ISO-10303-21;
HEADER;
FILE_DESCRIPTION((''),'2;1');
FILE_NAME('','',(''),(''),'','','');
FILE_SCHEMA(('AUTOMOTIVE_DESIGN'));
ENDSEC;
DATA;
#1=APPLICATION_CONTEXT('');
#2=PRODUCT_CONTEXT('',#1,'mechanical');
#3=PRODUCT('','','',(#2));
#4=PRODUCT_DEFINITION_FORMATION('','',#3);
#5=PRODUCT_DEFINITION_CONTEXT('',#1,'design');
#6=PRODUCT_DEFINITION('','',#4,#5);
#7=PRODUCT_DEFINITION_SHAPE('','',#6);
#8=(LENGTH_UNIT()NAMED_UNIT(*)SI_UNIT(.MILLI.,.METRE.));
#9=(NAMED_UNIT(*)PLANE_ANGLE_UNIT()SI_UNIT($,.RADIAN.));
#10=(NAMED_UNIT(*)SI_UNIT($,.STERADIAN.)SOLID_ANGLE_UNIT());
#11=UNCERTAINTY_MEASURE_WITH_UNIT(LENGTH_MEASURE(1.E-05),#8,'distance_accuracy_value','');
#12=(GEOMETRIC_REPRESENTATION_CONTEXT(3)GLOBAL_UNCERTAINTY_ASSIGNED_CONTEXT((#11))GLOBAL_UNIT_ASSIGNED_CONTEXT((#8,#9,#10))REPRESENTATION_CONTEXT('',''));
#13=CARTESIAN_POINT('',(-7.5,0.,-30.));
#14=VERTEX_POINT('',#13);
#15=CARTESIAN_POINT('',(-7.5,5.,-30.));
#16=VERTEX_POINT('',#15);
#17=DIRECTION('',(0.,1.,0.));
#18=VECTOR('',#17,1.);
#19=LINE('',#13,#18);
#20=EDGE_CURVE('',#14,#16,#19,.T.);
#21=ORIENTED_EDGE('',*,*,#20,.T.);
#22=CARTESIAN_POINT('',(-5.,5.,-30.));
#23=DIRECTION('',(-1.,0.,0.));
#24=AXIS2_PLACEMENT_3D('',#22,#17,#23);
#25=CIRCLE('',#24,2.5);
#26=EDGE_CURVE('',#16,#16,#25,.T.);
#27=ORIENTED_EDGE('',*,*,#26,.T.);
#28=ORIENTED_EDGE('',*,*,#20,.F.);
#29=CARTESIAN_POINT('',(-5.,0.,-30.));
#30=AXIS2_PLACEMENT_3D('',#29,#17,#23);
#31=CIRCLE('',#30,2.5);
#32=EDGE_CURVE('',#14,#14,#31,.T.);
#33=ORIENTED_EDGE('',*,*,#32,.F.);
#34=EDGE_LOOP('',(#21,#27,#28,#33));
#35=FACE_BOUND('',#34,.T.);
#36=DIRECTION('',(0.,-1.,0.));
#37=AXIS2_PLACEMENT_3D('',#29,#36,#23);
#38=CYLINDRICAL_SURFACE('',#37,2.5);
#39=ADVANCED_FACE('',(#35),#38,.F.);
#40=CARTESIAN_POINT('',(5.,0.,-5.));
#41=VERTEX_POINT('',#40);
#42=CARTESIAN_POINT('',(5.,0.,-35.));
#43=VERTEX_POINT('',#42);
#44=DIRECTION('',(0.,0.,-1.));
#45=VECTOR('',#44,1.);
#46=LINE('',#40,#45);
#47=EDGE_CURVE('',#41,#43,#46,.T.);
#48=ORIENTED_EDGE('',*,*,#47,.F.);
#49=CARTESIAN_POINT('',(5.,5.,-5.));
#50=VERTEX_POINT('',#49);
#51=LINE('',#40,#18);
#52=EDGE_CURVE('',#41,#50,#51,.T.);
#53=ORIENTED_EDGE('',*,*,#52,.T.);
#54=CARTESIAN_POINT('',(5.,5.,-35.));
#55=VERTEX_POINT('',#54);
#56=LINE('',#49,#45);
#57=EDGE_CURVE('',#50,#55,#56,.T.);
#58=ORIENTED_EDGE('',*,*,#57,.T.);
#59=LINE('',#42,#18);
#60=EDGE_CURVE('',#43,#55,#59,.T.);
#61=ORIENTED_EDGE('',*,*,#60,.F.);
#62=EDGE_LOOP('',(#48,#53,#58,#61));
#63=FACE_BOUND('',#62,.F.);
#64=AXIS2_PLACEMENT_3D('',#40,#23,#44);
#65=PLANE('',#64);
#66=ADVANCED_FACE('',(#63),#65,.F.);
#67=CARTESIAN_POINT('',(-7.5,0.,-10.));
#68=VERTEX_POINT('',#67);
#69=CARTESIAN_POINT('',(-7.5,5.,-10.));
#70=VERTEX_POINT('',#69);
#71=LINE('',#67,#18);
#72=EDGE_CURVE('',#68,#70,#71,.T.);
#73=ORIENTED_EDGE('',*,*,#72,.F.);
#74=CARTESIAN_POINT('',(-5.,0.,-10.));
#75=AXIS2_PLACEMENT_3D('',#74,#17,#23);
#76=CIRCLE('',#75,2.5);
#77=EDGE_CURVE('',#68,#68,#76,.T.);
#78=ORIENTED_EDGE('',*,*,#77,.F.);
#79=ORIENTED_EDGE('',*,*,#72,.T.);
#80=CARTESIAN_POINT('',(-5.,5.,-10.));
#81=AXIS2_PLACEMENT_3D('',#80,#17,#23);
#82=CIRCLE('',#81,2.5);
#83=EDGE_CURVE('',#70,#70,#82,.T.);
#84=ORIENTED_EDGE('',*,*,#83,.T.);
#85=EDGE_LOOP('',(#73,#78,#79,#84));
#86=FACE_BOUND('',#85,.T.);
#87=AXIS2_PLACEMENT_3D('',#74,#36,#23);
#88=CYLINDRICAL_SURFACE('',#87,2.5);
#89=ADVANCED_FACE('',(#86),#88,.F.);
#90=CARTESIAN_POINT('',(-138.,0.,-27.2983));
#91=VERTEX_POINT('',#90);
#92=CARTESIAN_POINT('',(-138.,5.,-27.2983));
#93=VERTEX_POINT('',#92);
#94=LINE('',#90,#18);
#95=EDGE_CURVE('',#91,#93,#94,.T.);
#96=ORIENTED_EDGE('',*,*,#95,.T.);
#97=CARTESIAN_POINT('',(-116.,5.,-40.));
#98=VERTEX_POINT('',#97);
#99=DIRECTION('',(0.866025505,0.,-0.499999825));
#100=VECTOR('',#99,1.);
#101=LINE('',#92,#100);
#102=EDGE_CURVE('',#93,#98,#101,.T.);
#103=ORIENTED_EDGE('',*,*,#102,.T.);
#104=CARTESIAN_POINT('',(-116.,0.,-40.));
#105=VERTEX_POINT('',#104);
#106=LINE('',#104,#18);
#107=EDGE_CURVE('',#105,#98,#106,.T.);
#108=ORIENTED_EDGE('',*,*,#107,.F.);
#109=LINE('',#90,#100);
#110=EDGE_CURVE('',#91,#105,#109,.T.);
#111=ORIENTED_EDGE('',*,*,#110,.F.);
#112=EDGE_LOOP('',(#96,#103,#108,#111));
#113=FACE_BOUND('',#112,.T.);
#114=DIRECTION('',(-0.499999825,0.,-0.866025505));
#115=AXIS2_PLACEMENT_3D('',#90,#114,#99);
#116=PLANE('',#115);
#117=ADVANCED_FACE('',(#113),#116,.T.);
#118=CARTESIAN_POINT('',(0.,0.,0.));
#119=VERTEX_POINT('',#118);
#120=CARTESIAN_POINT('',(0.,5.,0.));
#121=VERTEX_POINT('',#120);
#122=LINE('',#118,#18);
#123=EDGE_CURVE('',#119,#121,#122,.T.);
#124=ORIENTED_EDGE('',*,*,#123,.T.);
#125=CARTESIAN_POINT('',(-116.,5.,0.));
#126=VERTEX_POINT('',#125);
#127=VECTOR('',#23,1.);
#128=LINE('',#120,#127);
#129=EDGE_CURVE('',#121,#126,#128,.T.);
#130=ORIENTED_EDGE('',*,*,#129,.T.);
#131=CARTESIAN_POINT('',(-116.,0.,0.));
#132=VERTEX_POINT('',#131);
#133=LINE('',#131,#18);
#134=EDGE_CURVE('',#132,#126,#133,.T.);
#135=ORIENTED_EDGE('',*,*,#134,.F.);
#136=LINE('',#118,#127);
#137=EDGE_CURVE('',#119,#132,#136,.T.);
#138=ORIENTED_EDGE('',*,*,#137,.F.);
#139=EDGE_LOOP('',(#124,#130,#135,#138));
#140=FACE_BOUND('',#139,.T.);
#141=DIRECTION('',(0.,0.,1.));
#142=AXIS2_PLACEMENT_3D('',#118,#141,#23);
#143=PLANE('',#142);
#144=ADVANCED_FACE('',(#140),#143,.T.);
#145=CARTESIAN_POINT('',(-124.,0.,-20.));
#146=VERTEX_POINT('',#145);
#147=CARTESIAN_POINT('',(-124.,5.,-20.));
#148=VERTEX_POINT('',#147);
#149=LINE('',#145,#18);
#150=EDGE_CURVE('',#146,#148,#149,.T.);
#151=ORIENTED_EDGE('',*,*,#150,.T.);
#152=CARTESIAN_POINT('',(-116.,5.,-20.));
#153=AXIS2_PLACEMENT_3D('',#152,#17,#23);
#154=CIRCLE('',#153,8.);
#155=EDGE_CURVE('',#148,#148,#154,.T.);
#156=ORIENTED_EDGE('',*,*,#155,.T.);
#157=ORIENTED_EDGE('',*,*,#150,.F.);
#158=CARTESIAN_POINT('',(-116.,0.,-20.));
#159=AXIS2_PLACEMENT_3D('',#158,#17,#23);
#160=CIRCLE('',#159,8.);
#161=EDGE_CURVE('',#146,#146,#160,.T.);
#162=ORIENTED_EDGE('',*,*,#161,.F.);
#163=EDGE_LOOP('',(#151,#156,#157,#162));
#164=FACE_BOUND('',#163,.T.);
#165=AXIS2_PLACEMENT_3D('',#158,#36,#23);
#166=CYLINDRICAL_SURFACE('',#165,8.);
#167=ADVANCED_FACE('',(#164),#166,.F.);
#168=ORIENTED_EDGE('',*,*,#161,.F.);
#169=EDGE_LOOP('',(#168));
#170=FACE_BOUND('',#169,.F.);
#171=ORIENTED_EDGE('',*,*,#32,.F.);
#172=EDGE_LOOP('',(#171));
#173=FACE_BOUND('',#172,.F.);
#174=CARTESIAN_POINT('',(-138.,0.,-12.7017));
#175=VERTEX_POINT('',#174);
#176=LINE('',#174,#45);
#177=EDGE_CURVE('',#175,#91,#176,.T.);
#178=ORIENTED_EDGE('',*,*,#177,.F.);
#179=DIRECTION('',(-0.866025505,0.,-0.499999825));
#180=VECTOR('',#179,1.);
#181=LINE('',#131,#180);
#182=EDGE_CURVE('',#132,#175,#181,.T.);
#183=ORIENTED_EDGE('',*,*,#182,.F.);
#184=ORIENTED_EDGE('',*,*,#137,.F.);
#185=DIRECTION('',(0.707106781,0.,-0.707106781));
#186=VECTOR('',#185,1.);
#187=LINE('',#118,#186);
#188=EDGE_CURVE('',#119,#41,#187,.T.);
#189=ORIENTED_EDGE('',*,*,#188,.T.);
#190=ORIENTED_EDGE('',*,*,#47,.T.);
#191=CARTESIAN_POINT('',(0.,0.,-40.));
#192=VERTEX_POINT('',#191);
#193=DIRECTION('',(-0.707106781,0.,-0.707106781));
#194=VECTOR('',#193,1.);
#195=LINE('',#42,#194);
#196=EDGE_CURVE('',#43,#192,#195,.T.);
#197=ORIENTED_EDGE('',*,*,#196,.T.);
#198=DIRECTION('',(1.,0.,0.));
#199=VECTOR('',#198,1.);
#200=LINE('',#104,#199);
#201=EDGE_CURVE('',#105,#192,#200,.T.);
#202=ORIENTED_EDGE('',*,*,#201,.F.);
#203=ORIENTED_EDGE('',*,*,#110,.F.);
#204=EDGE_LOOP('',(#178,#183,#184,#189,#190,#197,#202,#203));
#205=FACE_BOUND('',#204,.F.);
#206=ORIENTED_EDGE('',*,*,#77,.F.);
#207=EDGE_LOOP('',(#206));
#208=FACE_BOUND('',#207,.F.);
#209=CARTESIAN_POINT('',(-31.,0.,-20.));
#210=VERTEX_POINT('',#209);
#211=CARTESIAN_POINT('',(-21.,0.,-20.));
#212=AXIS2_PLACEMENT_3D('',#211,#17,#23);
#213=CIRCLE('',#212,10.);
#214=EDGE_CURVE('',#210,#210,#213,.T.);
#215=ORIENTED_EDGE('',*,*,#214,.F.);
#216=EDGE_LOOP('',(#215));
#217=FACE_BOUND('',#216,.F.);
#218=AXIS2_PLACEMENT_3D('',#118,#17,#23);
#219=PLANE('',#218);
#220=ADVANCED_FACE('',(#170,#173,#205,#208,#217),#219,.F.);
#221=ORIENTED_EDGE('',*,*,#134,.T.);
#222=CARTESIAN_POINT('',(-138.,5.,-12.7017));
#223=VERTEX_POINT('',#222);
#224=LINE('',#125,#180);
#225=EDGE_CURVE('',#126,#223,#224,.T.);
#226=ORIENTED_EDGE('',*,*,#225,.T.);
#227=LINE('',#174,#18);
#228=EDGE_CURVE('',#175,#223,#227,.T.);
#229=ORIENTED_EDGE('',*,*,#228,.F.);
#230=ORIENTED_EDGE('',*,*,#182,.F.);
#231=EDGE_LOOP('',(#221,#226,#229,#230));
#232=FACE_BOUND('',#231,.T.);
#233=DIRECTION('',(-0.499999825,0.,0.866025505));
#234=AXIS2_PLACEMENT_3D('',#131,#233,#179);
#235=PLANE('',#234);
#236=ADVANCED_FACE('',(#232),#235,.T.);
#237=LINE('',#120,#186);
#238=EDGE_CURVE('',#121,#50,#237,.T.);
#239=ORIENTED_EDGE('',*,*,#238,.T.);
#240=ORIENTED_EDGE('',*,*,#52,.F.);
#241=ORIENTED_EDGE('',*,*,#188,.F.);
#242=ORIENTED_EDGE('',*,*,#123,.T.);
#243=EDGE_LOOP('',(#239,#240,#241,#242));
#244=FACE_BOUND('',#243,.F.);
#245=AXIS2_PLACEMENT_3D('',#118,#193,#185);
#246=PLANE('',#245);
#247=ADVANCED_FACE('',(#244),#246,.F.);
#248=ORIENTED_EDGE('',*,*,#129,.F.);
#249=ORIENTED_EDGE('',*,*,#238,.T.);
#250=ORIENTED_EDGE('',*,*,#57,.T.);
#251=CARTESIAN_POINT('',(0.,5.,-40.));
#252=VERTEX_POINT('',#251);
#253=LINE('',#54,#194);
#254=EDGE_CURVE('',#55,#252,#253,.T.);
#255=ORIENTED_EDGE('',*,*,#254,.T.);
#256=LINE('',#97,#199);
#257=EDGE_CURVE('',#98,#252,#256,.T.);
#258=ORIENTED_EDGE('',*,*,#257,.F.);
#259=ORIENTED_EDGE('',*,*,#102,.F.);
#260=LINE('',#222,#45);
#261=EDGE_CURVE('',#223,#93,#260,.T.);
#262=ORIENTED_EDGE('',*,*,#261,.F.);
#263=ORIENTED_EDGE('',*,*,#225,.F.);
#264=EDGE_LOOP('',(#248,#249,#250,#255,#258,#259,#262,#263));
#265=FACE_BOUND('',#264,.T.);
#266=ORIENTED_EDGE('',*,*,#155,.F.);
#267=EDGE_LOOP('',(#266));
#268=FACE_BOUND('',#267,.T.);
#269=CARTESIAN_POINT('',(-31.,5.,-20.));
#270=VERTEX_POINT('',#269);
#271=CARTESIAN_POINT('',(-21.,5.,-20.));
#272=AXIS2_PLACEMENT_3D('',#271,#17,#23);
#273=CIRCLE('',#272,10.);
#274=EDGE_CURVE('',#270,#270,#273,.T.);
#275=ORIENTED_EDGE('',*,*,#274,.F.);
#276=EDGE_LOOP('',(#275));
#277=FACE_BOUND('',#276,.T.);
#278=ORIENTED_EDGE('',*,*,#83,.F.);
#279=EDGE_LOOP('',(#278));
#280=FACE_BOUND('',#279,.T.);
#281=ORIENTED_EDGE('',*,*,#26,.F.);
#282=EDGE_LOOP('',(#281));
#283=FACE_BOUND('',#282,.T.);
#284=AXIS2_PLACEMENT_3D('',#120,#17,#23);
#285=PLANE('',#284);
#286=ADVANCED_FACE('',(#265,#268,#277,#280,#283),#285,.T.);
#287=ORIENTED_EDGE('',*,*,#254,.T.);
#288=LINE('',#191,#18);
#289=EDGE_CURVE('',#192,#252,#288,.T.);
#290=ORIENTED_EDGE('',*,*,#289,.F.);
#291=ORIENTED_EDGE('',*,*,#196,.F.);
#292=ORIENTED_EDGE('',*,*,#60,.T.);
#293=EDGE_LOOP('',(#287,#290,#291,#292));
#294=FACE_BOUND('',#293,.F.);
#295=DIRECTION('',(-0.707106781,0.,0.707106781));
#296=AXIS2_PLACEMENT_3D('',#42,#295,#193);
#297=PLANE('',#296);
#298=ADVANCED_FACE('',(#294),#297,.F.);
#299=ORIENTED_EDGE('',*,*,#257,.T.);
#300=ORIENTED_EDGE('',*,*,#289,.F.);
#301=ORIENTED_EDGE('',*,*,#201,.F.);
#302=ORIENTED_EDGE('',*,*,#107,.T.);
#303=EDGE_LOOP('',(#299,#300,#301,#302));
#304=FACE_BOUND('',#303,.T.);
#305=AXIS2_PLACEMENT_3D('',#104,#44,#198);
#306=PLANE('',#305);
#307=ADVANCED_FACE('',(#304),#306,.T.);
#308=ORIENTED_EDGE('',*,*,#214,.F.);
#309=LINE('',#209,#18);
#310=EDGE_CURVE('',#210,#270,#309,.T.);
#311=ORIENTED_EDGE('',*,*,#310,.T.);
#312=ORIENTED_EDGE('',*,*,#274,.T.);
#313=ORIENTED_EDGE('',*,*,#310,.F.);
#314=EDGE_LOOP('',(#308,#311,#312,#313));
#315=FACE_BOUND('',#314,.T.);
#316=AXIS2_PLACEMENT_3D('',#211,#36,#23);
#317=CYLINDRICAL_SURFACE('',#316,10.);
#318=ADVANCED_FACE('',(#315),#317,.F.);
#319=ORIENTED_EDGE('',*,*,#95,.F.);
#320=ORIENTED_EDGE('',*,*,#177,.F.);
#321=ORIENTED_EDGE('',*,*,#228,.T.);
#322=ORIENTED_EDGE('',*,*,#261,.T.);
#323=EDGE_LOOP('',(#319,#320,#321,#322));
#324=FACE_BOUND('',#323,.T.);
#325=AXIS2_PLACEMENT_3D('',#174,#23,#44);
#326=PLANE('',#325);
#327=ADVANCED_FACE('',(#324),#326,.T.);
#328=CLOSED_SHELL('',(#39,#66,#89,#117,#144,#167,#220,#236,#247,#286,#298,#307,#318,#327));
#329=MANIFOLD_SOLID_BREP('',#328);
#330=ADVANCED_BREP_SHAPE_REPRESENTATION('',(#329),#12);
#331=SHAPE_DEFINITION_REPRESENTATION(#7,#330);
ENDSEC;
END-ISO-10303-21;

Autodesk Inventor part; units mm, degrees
ref_plane "YZ Plane" through (0, 0, 0) normal (1, 0, 0) x (0, 1, 0)
ref_plane "XZ Plane" through (0, 0, 0) normal (0, 1, 0) x (-1, 0, 0)
ref_plane "XY Plane" through (0, 0, 0) normal (0, 0, 1) x (1, 0, 0)
sketch "Náčrt1" plane through (0, 0, 0) normal (0, 1, 0) x (-1, 0, 0)
  line L0 (0, 0) -> (116, 0)
  line L1 (116, -40) -> (0, -40)
  circle A0 centre (21, -20) radius 10
  line L2 (116, 0) -> (138, -12.7017)
  line L3 (138, -12.7017) -> (138, -27.2983)
  line L4 (138, -27.2983) -> (116, -40)
  line L5 (0, 0) -> (-5, -5)
  line L6 (-5, -5) -> (-5, -35)
  line L7 (-5, -35) -> (0, -40)
  circle A1 centre (116, -20) radius 8
  circle A2 centre (5, -30) radius 2.5
  circle A3 centre (5, -10) radius 2.5
  dimension "d0" = 5
  dimension "d1" = 5
  dimension "d2" = 5
  dimension "d3" = 143
  dimension "d4" = 16
  dimension "d5" = 20
  dimension "d6" = 40
  dimension "d7" = 20
  dimension "d8" = 26
  dimension "d9" = 30
  dimension "d10" = 95
  dimension "d11" = 121
  dimension "d13" = 30
  dimension "d14" = 20
  dimension "d15" = 5
  dimension "d16" = 5
  dimension "d17" = 10
  dimension "d18" = 10
  dimension "d19" = 10
  dimension "d20" = 10
extrude "Vysunutí1" add sketch "Náčrt1" along normal blind 5
thread "Závit1" size "M5x0.8" class "6H" standard "ANSI Metric M Profile" full length
thread "Závit2" size "M5x0.8" class "6H" standard "ANSI Metric M Profile" full length
equation "\"d11\" = d10 + d8"
equation "\"d13\" = d9"
properties part number "bočnice"
